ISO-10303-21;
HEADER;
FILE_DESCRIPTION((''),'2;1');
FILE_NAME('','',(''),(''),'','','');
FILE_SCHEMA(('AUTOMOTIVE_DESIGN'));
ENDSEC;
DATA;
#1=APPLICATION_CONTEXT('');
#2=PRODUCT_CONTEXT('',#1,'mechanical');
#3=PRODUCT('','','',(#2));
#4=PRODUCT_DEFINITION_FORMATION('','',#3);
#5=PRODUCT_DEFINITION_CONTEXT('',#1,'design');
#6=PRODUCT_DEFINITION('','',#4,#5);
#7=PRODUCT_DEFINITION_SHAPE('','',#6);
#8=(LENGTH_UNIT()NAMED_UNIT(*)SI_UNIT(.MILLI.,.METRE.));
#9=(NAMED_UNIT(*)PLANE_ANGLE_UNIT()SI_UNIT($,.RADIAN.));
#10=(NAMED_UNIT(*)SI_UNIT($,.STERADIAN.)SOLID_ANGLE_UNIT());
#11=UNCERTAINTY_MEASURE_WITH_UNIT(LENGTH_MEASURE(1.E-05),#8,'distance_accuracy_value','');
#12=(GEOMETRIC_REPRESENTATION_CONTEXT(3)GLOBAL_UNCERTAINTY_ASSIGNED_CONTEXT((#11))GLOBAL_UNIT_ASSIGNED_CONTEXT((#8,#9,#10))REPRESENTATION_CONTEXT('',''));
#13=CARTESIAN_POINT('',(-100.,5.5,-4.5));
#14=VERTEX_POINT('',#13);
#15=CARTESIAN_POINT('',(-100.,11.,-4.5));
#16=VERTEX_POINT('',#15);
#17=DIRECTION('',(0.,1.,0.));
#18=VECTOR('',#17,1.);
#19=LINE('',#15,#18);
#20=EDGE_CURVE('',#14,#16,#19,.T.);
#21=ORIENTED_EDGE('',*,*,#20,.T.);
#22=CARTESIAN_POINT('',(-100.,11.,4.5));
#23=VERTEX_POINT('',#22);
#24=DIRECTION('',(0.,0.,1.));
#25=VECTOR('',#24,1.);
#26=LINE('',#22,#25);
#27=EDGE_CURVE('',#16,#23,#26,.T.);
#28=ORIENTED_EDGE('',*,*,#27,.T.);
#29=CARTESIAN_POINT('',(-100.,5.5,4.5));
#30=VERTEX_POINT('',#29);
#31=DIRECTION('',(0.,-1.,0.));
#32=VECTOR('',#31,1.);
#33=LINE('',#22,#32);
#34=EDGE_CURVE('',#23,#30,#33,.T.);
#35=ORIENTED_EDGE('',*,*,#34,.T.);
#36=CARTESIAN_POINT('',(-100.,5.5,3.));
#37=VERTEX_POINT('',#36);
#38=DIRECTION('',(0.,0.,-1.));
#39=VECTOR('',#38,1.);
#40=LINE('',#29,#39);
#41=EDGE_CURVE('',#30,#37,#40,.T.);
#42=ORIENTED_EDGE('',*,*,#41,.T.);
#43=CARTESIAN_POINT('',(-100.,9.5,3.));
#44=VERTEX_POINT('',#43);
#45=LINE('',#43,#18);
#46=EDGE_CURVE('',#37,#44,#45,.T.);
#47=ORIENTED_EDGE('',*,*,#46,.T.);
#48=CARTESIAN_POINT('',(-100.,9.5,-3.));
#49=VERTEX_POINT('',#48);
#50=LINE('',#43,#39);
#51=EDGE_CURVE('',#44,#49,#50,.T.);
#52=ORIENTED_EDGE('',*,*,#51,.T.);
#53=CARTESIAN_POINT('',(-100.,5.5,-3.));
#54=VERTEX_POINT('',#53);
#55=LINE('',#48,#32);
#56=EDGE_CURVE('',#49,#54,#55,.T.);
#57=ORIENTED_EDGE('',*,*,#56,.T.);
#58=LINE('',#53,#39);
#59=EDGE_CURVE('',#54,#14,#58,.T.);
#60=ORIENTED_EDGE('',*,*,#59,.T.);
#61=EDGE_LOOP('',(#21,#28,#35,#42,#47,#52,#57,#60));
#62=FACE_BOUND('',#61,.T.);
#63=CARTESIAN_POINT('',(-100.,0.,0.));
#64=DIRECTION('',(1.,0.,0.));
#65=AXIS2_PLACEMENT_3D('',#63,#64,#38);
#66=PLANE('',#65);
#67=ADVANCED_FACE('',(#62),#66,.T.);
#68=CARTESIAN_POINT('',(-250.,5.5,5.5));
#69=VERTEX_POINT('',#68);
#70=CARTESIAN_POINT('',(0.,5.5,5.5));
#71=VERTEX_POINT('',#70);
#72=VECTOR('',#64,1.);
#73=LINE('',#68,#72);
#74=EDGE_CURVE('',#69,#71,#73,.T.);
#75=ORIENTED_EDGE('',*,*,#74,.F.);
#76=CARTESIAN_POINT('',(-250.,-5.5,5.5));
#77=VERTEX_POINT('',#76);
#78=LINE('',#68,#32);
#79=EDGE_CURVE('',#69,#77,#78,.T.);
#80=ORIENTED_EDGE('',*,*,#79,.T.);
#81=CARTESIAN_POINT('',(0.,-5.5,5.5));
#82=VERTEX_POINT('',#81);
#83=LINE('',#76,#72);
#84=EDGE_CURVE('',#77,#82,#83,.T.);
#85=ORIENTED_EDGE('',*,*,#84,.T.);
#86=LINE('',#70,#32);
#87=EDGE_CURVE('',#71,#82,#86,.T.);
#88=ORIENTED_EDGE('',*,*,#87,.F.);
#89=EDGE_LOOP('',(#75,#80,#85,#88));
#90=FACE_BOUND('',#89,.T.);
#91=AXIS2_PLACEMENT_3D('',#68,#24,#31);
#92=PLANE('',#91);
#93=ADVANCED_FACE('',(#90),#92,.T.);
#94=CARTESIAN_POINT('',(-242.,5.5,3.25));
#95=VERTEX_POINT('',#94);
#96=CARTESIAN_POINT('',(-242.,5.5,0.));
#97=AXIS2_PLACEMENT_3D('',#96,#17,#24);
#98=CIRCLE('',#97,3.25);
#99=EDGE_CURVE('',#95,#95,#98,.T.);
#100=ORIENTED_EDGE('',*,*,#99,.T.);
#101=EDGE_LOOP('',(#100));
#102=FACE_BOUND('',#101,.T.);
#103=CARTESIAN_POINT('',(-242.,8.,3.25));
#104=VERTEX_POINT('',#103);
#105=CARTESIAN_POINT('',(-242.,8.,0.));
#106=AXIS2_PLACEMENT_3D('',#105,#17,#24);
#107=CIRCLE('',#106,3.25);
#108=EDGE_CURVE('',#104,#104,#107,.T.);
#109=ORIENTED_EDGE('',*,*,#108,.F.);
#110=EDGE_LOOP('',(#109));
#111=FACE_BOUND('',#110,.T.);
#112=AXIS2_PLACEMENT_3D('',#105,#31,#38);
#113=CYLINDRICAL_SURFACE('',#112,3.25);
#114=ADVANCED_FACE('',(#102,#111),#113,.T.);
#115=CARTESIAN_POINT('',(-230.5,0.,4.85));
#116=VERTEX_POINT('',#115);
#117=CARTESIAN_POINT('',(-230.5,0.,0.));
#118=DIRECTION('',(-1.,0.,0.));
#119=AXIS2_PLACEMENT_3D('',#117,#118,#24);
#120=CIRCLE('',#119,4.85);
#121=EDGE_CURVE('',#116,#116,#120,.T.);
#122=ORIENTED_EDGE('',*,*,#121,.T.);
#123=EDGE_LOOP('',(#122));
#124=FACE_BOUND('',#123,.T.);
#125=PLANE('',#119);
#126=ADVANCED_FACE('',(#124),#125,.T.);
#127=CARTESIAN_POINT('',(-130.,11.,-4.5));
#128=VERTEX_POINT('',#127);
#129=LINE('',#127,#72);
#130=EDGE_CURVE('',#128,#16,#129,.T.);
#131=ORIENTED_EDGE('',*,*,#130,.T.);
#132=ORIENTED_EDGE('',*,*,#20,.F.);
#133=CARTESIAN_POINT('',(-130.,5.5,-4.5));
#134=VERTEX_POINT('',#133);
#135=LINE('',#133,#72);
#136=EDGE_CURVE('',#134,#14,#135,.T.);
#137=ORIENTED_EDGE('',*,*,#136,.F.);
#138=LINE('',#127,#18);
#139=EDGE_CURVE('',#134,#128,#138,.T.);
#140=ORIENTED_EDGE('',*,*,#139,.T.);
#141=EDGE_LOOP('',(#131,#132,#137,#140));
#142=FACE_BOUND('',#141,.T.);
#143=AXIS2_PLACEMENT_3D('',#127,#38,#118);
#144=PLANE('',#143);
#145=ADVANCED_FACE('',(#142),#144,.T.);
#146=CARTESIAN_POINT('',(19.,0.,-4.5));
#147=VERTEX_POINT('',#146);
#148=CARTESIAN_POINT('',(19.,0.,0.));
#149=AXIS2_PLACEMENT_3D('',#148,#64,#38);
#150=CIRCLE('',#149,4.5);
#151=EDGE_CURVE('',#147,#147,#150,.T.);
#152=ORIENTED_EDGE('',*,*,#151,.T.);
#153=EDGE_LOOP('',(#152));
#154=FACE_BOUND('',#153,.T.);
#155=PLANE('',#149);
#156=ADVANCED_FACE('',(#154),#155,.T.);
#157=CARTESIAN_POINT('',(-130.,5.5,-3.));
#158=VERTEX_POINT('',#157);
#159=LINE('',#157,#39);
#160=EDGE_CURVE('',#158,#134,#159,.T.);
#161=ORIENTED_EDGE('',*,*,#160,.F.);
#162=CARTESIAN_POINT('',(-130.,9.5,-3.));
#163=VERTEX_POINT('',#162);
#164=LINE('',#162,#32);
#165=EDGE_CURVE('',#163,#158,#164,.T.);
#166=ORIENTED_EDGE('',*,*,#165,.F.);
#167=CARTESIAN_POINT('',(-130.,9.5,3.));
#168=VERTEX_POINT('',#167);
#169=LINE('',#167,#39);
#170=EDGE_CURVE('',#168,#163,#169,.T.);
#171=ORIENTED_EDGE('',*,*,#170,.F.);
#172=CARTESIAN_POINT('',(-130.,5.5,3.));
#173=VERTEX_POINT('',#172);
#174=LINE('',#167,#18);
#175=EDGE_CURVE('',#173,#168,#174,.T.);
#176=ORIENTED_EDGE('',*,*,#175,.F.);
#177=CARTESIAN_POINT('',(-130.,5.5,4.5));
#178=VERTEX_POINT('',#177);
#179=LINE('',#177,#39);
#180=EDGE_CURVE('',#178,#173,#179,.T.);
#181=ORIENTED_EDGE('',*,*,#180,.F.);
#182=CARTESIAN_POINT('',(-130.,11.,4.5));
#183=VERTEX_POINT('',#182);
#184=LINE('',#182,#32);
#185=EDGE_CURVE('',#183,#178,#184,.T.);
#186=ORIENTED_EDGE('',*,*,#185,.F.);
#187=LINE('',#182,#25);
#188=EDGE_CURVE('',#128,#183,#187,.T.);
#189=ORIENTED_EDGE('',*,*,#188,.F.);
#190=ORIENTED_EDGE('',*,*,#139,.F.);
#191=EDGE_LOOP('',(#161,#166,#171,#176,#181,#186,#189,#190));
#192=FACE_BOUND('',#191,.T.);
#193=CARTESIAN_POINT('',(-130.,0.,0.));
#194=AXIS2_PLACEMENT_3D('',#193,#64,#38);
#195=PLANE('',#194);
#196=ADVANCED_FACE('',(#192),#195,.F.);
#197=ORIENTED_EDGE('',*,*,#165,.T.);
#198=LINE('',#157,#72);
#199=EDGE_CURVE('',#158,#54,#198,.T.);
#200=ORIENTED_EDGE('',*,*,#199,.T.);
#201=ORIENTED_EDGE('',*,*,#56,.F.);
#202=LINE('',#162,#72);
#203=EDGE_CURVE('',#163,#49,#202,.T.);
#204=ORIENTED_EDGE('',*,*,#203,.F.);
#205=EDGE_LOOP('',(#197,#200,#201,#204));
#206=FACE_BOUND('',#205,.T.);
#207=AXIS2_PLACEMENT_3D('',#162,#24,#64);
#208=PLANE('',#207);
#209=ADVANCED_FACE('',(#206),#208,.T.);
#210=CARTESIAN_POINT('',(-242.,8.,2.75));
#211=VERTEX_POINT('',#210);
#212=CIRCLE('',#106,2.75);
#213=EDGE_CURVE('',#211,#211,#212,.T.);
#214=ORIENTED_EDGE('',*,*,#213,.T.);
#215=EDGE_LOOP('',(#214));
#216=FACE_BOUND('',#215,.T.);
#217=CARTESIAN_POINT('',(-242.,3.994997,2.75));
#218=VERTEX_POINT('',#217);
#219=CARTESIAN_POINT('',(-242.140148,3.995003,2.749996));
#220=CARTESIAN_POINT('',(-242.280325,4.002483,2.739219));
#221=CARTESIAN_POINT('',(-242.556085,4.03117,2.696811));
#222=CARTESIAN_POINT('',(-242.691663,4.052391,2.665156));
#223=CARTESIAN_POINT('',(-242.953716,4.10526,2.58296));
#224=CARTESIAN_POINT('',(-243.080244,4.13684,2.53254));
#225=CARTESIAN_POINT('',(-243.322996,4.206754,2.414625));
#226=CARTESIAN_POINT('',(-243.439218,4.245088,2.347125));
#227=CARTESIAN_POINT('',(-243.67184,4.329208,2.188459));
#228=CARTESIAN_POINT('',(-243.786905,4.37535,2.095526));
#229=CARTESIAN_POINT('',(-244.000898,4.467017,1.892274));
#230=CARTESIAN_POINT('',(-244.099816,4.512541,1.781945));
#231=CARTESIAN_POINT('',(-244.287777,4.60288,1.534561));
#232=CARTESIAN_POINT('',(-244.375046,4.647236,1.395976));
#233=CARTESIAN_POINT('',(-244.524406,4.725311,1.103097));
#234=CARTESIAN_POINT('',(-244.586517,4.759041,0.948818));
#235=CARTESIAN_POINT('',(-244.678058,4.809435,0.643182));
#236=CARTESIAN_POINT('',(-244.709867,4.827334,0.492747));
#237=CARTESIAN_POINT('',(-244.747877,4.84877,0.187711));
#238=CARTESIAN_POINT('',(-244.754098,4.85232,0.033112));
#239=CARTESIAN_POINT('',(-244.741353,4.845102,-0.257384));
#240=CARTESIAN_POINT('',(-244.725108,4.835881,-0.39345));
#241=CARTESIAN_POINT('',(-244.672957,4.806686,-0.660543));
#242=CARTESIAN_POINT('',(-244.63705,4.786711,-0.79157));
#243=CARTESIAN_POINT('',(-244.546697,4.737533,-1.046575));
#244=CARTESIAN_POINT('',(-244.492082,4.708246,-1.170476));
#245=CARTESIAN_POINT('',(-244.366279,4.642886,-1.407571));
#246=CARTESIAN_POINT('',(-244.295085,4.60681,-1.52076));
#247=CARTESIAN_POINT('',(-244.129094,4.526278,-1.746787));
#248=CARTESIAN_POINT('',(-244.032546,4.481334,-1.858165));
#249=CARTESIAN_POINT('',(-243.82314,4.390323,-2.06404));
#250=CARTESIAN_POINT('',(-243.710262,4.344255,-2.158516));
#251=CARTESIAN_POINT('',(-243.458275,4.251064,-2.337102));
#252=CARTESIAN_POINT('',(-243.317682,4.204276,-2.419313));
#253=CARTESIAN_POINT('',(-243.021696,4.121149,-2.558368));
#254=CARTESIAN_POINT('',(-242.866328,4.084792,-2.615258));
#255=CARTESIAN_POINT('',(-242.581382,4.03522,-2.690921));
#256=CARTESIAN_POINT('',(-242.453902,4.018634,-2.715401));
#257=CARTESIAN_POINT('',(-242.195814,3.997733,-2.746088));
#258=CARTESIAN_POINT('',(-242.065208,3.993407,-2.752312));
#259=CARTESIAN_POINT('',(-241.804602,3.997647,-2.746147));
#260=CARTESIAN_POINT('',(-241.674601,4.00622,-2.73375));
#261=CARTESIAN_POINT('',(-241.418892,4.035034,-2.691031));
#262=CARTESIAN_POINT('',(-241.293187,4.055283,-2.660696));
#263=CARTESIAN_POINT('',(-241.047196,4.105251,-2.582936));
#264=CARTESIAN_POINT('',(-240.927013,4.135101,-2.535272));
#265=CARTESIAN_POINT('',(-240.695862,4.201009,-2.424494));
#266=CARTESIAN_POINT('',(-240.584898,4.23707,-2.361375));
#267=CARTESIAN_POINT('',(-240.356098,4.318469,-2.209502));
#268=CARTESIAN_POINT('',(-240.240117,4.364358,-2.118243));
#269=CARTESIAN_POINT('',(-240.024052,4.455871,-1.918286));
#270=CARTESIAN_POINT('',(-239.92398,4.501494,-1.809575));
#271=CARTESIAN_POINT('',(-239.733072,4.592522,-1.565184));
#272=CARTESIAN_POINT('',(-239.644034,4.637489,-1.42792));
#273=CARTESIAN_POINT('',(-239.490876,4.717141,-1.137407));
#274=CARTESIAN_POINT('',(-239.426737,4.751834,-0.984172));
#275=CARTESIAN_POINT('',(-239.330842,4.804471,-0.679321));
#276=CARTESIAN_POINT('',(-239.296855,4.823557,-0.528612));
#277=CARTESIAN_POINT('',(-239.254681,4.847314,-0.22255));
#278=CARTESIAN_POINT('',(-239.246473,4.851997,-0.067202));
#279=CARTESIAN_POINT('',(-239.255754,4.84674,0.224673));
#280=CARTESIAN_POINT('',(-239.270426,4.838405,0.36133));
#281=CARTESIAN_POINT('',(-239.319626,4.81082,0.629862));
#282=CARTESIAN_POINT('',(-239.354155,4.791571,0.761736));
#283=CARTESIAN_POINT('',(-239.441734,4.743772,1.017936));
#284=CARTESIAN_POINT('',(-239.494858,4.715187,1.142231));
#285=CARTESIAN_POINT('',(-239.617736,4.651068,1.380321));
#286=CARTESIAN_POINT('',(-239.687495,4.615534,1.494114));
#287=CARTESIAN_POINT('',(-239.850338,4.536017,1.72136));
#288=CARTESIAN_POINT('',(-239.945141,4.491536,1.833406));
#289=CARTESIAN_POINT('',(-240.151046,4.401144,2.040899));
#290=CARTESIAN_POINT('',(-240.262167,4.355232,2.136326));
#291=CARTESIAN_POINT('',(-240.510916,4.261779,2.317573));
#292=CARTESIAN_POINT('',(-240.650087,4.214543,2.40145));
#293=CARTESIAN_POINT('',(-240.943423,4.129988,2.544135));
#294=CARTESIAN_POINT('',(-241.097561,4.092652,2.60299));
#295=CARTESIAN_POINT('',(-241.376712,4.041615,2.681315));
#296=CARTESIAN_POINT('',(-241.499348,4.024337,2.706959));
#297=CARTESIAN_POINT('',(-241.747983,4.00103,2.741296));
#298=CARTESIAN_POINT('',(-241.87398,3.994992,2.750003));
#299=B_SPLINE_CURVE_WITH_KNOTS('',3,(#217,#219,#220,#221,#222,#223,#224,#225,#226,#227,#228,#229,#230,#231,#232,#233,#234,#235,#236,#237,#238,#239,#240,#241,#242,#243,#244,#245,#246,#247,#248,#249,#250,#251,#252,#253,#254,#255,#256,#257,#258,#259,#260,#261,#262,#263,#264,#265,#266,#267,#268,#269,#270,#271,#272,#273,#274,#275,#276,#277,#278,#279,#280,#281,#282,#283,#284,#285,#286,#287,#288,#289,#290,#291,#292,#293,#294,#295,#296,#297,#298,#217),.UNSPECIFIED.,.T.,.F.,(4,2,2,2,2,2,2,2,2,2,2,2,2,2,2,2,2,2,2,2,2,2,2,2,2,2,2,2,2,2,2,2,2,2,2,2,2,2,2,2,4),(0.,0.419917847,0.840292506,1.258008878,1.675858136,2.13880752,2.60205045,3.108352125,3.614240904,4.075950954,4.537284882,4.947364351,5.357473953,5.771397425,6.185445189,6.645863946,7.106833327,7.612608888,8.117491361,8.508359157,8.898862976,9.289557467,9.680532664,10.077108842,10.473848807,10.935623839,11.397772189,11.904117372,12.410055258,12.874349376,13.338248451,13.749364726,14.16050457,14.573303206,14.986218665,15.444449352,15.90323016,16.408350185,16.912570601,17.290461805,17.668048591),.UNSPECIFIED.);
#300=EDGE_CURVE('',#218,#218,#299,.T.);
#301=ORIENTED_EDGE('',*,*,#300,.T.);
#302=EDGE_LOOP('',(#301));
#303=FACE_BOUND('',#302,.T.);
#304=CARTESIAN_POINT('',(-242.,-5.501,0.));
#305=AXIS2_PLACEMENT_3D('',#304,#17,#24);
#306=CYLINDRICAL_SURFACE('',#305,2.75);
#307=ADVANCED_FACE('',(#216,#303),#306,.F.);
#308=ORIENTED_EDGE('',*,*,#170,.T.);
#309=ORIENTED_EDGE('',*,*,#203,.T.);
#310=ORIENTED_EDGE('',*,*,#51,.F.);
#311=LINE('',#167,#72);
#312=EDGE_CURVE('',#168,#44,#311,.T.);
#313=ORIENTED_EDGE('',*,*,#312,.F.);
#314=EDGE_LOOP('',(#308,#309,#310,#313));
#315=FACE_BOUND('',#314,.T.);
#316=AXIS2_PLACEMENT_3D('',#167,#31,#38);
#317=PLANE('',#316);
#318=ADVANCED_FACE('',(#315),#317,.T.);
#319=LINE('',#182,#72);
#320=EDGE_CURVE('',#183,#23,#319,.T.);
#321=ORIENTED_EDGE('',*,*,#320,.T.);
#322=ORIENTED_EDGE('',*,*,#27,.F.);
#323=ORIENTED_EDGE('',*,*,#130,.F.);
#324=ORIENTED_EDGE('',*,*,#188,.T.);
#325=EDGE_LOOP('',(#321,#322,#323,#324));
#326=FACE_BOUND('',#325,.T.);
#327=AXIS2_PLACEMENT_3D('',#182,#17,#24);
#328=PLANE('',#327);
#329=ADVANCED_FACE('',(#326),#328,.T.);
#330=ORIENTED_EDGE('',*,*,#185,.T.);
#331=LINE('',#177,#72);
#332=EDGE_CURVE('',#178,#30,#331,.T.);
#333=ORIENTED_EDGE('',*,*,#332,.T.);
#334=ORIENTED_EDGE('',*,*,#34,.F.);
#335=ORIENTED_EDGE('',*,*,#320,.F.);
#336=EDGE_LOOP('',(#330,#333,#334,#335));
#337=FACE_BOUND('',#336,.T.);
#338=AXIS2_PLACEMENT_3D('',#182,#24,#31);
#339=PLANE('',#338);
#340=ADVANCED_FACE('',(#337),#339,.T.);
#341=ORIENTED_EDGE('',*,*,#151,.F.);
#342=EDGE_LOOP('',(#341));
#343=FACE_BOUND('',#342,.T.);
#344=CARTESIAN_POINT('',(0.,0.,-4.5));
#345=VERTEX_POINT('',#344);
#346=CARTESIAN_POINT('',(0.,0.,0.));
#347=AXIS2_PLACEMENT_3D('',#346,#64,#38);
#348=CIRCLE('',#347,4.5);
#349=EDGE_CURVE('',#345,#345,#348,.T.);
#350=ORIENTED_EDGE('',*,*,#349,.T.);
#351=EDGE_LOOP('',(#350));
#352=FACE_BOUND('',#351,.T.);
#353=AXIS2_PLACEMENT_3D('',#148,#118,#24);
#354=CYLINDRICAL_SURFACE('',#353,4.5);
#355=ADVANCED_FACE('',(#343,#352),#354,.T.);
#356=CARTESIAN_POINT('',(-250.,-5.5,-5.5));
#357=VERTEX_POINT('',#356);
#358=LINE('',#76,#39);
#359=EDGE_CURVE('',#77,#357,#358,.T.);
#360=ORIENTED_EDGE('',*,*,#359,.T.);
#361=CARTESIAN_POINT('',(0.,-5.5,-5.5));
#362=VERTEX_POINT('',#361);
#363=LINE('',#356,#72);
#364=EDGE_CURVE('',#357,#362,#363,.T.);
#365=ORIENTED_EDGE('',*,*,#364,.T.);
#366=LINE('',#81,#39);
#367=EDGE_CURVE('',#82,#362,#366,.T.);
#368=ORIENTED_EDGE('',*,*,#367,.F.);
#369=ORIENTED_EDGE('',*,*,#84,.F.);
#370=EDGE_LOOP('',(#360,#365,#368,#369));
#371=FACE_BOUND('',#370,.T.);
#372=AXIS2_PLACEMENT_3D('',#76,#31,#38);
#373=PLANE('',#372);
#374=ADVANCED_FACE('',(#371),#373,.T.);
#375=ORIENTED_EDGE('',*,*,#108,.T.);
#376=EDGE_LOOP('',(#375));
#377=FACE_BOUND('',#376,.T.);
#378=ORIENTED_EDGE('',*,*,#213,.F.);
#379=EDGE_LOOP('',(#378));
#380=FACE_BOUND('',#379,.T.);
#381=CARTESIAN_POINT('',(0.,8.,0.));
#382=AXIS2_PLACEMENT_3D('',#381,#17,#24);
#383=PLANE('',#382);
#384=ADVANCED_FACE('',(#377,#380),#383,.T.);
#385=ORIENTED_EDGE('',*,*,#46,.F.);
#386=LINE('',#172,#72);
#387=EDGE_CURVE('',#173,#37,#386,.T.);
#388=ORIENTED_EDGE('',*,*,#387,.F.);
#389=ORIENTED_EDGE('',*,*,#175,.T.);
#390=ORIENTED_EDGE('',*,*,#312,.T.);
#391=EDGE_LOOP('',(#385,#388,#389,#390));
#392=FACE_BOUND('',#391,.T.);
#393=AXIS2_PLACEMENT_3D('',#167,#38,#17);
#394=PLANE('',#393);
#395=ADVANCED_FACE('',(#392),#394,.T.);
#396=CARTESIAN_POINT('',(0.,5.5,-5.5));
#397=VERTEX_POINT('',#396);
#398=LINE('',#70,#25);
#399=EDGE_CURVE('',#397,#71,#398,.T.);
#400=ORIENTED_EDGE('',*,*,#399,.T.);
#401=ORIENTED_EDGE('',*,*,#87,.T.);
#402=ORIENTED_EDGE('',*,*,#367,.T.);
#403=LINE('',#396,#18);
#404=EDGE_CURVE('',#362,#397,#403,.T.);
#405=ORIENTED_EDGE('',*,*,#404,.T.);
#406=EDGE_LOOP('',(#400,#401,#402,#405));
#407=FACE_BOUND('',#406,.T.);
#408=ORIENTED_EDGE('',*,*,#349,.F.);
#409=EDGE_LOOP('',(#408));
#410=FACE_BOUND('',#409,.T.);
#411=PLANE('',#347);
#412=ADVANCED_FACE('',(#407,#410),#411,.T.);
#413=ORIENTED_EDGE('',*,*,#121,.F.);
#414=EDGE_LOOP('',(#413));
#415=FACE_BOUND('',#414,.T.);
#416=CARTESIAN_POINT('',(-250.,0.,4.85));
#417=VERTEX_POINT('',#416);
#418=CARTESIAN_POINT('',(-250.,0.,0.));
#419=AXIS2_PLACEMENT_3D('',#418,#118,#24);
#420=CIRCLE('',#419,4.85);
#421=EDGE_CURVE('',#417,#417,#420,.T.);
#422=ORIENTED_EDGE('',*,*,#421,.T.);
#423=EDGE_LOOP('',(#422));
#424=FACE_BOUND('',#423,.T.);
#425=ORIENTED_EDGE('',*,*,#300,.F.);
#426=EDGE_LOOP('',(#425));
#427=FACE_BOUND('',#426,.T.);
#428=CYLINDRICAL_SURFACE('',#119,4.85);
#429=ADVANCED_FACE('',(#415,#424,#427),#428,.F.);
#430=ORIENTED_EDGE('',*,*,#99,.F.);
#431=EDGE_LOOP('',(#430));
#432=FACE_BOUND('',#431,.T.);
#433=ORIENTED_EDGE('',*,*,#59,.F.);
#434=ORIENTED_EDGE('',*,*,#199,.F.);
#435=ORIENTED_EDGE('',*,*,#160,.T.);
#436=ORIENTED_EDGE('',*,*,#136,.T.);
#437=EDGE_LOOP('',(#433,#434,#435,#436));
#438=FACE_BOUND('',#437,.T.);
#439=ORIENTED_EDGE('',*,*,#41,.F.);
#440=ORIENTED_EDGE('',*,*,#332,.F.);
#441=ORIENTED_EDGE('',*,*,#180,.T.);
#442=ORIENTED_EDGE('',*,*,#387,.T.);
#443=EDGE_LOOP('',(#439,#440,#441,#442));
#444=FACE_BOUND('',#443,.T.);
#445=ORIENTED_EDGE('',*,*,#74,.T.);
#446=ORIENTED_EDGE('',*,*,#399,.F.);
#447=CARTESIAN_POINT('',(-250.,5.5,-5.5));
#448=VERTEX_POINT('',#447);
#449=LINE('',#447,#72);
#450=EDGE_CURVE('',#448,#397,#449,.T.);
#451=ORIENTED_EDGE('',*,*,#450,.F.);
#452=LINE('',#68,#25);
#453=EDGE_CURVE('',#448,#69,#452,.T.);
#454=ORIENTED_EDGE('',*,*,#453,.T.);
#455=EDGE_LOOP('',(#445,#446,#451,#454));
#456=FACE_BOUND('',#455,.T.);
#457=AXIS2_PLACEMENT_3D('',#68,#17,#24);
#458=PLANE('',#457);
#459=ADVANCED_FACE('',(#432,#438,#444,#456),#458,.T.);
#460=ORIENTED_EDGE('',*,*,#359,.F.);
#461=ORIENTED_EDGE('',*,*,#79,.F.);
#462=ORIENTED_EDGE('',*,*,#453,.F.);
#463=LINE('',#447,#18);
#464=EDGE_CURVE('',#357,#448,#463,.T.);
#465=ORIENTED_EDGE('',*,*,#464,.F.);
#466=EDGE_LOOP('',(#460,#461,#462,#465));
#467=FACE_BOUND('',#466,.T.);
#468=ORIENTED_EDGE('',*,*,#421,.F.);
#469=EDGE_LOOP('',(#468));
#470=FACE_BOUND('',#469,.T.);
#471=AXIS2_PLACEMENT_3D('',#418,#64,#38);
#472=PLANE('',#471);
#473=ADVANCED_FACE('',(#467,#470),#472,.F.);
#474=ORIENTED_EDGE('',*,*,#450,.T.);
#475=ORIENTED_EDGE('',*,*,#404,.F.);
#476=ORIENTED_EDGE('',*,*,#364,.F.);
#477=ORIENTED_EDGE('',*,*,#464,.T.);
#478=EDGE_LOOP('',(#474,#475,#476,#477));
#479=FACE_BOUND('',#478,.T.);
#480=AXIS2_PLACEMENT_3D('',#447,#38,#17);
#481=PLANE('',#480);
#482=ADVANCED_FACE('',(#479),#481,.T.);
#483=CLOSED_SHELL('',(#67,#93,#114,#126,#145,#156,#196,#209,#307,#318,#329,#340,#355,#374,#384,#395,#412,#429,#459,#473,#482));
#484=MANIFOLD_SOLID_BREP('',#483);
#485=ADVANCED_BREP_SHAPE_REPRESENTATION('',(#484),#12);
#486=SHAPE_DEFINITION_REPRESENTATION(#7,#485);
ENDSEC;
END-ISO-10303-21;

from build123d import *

# Parameters (mm, degrees)
SKETCH1_R               = 4.5
BOSS_EXTRUDE1_DEPTH     = 19
SKETCH2_W               = 11
SKETCH2_H               = 11
BOSS_EXTRUDE2_DEPTH     = 250
SKETCH3_R               = 4.85
CUT_EXTRUDE2_DEPTH      = 19.5
BOSS_EXTRUDE3_START     = -100
BOSS_EXTRUDE3_DEPTH     = 30
CUT_EXTRUDE3_REACH      = 252.302
CUT_EXTRUDE3_END_RADIUS = 4.85
SKETCH5_R               = 2.75
BOSS_EXTRUDE4_START     = 2.5
SKETCH5_3_R             = 3.25
SKETCH5_3_R_2           = 2.75
BOSS_EXTRUDE4_DEPTH     = 2.5


with BuildPart() as part:
    # Sketch1 → Boss-Extrude1 (new body)
    with BuildSketch(Plane(origin=(0, 0, 0), x_dir=(0, 0, -1), z_dir=(1, 0, 0))):
        Circle(SKETCH1_R)
    extrude(amount=BOSS_EXTRUDE1_DEPTH)

    # Sketch2 → Boss-Extrude2 (add)
    with BuildSketch(Plane(origin=(0, 0, 0), x_dir=(0, 0, -1), z_dir=(1, 0, 0))):
        Rectangle(SKETCH2_W, SKETCH2_H)
    extrude(amount=-BOSS_EXTRUDE2_DEPTH)

    # Sketch3 → Cut-Extrude2 (cut)
    with BuildSketch(Plane.ZY.offset(250)):
        Circle(SKETCH3_R)
    extrude(amount=-CUT_EXTRUDE2_DEPTH, mode=Mode.SUBTRACT)

    # Sketch4 → Boss-Extrude3 (add)
    with BuildSketch(Plane(origin=(0, 0, 0), x_dir=(0, 0, -1), z_dir=(1, 0, 0)).offset(BOSS_EXTRUDE3_START)):
        Polygon((-4.5, 11), (4.5, 11), (4.5, 5.5), (3, 5.5), (3, 9.5), (-3, 9.5), (-3, 5.5), (-4.5, 5.5), align=None)
    extrude(amount=-BOSS_EXTRUDE3_DEPTH)

    # Cut-Extrude3: up to this cylinder (the profile starts outside it)
    cut_extrude3_end = Plane(origin=(-242, 0, 0), z_dir=(-1, 0, 0)) * Cylinder(CUT_EXTRUDE3_END_RADIUS, 515.304, mode=Mode.PRIVATE)
    # Sketch5 → Cut-Extrude3 (cut, up to the surface)
    with BuildSketch(Plane(origin=(0, 5.5, 0), x_dir=(1, 0, 0), z_dir=(0, 1, 0)), mode=Mode.PRIVATE) as cut_extrude3_sk1:
        with Locations((-242, 0)):
            Circle(SKETCH5_R)
    cut_extrude3_tool1 = extrude(cut_extrude3_sk1.sketch, amount=-CUT_EXTRUDE3_REACH, mode=Mode.PRIVATE) - cut_extrude3_end
    add(cut_extrude3_tool1.solids().sort_by_distance((-242, 5.5, 0))[0], mode=Mode.SUBTRACT)

    # Sketch5<3> → Boss-Extrude4 (add)
    with BuildSketch(Plane(origin=(0, 5.5, 0), x_dir=(1, 0, 0), z_dir=(0, 1, 0)).offset(BOSS_EXTRUDE4_START)):
        with Locations((-242, 0)):
            Circle(SKETCH5_3_R)
        with Locations((-242, 0)):
            Circle(SKETCH5_3_R_2, mode=Mode.SUBTRACT)
    extrude(amount=-BOSS_EXTRUDE4_DEPTH)


solid = part.part
